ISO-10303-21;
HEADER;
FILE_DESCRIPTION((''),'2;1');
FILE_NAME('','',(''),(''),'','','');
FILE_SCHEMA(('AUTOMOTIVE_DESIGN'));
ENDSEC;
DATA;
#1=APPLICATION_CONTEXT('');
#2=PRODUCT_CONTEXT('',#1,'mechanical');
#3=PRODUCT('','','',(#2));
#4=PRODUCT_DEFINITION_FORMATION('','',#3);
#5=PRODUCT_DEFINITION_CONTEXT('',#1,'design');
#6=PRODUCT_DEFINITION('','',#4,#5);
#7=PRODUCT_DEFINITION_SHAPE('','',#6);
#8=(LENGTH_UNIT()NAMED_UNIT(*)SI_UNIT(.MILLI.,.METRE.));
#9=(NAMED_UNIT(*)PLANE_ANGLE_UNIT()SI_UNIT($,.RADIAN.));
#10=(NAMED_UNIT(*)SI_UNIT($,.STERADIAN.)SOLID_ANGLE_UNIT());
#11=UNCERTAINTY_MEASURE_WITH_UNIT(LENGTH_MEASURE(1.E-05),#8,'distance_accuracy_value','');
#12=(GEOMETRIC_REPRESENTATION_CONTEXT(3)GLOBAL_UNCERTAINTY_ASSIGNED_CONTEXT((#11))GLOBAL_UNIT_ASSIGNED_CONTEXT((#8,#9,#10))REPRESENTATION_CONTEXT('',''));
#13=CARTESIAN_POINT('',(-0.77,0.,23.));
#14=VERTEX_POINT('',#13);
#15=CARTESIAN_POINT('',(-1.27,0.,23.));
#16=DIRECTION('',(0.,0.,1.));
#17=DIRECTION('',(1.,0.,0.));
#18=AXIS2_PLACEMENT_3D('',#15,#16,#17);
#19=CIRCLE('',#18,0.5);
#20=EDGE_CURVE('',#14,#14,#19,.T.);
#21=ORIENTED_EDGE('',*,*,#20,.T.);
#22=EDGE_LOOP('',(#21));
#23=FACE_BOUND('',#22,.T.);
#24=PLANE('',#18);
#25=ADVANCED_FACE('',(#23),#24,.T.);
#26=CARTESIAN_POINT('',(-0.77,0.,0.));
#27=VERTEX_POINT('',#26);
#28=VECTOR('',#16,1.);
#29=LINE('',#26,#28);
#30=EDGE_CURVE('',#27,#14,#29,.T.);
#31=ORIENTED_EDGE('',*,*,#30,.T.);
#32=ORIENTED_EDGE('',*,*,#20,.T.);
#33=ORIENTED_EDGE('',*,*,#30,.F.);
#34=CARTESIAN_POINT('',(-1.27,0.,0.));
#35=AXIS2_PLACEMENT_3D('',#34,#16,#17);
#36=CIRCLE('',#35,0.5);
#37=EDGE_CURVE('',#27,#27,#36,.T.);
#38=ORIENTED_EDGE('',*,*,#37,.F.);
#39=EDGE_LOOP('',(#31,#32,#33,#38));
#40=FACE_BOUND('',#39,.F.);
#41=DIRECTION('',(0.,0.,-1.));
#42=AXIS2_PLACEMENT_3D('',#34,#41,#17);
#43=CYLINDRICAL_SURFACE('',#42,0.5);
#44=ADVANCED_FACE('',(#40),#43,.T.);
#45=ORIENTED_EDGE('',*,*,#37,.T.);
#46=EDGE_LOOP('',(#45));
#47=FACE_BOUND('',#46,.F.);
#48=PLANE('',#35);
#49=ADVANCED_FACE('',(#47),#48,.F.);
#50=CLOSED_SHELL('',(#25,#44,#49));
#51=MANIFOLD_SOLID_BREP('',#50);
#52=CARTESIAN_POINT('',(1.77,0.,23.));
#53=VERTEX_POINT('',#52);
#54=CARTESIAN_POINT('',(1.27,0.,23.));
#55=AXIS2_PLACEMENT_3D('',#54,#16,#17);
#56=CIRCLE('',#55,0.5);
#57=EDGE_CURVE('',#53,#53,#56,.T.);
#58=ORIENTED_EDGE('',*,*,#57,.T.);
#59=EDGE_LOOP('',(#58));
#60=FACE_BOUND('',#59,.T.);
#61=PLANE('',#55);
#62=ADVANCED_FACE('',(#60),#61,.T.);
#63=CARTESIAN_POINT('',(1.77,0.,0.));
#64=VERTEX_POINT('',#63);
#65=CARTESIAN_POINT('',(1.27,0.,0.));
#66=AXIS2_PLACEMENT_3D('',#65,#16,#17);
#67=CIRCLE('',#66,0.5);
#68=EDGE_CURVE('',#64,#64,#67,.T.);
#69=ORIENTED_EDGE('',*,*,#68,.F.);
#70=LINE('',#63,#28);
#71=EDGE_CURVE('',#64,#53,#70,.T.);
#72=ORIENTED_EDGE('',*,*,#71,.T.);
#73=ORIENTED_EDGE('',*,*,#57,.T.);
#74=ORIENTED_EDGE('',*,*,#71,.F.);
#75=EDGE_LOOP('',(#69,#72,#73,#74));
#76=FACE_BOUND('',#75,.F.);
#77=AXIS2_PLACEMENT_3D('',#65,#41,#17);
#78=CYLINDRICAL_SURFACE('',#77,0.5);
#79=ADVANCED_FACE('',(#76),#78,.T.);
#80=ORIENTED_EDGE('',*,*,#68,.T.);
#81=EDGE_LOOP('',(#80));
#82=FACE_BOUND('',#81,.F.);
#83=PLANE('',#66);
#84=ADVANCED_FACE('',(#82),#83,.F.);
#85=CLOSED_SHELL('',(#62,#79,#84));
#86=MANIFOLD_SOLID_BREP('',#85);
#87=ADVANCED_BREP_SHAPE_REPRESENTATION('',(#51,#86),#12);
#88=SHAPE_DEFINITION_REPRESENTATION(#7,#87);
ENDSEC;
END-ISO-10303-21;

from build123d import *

# Parameters (mm, degrees)
F0_R     = 0.5
F1_DEPTH = 23


with BuildPart() as f1:
    # F0 (on Top) → F1 (new body)
    with BuildSketch(Plane.XY):
        with BuildLine():
            ThreePointArc((0.77, 0), (1.27, -0.5), (1.77, 0))
            ThreePointArc((1.77, 0), (1.27, 0.5), (0.77, 0))
        make_face()
        with Locations((-1.27, 0)):
            Circle(F0_R)
    extrude(amount=F1_DEPTH)


solid = f1.part
